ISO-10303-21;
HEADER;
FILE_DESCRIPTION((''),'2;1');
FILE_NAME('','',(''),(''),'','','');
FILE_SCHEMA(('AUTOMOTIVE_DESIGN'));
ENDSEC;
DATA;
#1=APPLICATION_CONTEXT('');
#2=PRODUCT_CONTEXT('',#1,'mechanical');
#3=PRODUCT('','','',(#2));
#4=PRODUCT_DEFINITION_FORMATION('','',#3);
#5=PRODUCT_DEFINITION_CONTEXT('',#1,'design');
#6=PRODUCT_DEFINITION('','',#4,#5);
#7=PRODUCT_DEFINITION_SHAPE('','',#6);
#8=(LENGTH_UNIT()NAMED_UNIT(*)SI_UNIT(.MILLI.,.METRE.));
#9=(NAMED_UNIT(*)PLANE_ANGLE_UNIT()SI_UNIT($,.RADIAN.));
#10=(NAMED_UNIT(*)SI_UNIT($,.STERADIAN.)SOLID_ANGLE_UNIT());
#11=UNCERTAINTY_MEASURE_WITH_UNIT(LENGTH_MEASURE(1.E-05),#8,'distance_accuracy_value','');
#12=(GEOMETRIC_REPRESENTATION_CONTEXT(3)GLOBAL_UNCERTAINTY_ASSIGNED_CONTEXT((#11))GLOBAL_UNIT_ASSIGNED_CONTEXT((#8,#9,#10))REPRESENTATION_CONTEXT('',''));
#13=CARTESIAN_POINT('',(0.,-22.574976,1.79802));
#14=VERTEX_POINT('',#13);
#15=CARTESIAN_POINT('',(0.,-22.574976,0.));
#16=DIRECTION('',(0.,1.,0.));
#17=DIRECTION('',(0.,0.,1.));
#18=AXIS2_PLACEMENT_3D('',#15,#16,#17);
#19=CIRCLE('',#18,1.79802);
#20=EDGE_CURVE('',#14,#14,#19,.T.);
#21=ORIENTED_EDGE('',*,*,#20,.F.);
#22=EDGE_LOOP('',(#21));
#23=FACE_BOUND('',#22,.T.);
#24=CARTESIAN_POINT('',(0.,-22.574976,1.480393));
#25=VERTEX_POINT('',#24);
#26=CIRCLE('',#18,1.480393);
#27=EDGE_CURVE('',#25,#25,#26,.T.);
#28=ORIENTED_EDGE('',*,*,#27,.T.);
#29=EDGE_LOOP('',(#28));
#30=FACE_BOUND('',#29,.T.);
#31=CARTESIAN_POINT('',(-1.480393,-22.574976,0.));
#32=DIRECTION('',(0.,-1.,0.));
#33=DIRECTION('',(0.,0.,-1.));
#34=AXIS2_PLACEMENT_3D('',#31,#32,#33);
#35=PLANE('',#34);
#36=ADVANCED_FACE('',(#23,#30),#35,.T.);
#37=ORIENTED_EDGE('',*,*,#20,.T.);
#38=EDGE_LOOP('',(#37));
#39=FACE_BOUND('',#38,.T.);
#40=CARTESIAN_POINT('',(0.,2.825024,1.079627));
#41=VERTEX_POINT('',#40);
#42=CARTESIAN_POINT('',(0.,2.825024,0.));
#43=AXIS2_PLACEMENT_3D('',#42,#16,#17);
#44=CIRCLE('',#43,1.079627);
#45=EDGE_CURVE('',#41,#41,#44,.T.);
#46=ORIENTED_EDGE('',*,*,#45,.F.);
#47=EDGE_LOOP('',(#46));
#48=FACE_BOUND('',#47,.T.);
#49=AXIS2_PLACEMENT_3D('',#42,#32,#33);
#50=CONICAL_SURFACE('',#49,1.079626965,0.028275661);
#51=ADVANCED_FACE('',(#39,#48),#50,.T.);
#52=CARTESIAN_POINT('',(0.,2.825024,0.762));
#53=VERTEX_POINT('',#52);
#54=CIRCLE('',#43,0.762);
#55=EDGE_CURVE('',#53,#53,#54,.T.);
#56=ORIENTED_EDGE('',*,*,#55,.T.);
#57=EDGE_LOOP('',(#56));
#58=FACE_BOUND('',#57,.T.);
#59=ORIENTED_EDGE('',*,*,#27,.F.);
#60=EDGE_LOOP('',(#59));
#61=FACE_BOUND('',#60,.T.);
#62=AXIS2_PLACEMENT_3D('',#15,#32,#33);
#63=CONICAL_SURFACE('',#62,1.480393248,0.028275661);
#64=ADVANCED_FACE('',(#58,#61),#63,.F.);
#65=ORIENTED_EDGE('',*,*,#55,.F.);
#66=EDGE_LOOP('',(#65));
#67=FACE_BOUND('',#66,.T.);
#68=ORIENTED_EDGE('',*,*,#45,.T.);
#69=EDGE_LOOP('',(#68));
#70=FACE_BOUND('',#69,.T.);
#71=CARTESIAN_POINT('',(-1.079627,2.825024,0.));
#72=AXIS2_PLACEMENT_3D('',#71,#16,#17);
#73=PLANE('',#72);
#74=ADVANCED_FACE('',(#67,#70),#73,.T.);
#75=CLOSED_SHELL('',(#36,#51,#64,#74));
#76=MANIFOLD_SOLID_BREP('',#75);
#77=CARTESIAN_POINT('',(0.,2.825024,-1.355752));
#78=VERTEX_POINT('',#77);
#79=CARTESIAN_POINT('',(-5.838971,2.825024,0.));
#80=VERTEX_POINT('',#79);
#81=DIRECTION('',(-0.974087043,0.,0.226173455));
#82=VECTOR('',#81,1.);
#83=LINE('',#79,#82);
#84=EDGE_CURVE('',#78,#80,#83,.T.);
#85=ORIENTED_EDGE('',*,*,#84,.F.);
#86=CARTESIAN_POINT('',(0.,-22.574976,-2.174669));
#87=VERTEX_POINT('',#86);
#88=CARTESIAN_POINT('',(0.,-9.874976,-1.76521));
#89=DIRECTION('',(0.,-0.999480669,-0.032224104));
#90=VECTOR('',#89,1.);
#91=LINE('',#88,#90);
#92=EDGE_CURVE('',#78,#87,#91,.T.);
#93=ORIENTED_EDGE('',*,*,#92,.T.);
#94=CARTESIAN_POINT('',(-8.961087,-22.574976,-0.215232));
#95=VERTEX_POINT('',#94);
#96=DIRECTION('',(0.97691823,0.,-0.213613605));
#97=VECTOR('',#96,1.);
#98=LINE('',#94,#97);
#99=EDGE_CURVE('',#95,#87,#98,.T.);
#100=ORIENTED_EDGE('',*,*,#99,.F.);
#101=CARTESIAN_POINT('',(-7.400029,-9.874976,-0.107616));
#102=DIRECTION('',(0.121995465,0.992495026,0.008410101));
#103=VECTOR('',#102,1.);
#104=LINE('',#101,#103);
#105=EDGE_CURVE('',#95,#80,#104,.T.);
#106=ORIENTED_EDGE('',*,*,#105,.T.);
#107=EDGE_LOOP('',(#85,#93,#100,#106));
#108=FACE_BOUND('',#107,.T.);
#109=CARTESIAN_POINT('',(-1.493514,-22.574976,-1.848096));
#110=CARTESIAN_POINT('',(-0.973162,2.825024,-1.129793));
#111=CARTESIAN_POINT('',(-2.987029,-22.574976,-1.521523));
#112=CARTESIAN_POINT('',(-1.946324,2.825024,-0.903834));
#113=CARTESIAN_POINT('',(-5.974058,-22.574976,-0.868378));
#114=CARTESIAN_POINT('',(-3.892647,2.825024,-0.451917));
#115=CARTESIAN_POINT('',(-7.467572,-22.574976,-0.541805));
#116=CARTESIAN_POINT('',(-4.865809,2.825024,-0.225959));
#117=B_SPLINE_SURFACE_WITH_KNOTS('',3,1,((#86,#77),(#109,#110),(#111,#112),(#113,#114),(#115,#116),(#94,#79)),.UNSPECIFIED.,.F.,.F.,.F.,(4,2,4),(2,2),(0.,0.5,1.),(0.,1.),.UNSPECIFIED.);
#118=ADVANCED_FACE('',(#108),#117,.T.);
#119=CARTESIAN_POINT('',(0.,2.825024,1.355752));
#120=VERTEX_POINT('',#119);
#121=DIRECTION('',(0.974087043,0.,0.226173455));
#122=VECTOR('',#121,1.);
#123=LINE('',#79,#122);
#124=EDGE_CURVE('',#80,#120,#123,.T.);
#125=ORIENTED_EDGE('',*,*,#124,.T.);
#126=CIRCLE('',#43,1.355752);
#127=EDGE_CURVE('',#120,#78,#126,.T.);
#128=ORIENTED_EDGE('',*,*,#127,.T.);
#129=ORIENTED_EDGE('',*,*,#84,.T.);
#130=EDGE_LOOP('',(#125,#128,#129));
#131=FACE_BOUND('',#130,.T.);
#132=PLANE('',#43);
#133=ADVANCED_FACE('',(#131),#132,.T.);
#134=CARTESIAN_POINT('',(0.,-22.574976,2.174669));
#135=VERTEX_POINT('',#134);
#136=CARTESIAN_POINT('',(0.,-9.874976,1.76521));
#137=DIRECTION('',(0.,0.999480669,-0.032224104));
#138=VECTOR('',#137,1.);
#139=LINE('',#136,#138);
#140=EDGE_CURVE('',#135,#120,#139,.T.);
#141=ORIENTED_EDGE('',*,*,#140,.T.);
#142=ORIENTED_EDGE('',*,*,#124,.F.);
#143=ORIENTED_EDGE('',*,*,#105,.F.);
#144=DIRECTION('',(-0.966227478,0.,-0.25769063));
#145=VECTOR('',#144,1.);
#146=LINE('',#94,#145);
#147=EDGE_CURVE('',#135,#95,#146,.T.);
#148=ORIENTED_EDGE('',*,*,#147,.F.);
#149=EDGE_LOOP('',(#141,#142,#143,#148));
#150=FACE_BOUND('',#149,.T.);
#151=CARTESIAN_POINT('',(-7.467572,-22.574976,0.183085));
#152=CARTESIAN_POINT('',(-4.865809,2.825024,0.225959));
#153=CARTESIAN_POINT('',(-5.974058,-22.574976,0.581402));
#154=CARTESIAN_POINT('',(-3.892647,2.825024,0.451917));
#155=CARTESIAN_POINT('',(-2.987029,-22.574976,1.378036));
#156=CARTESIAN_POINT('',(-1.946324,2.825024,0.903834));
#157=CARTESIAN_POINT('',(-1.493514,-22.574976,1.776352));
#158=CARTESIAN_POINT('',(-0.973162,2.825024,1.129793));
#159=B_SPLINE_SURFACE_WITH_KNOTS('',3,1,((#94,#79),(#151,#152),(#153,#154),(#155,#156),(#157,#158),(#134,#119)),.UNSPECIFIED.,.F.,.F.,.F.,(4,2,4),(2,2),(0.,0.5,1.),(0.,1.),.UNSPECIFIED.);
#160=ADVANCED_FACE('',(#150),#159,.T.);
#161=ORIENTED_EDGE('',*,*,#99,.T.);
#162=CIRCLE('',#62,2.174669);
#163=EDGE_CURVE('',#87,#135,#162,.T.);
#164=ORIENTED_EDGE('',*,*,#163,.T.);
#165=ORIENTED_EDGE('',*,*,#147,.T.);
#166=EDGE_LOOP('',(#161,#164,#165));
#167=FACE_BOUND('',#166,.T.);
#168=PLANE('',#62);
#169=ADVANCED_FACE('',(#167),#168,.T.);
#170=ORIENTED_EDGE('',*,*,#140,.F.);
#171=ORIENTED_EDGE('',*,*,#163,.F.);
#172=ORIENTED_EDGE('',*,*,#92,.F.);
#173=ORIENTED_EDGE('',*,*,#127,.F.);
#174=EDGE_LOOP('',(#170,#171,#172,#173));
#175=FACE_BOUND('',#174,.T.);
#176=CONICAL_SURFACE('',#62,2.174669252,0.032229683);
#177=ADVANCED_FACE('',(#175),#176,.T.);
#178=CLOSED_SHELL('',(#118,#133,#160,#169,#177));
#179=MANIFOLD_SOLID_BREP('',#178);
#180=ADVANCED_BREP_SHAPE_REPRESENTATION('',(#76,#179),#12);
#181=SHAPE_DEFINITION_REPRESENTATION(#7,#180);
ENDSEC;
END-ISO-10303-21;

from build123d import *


with BuildPart() as part:
    # Sketch1 → Revolve1 (revolve)
    with BuildSketch(Plane.XY):
        Polygon((-0.762, 2.82502419), (-1.480393248, -22.57497581), (-1.798020213, -22.57497581), (-1.079626965, 2.82502419), align=None)
    revolve(axis=Axis((0, 2.931830397, 0), (0, -1, 0)))


with BuildPart() as body_2:
    # Sketch2 → Loft1 section 0
    with BuildSketch(Plane.XZ.offset(22.57497581)):
        with BuildLine():
            Line((-8.961086966, -0.215231881), (0, 2.174669252))
            ThreePointArc((0, 2.174669252), (2.174669252, 0), (0, -2.174669252))
            Line((0, -2.174669252), (-8.961086966, -0.215231881))
        make_face()
    # Sketch3 → Loft1 section 1
    with BuildSketch(Plane(origin=(0, 2.82502419, 0), x_dir=(1, 0, 0), z_dir=(0, 1, 0))):
        with BuildLine():
            Line((-5.838970763, 0), (0, 1.355751728))
            ThreePointArc((0, 1.355751728), (1.355751728, 0), (0, -1.355751728))
            Line((0, -1.355751728), (-5.838970763, 0))
        make_face()
    loft()


solid = Compound([part.part, body_2.part])
